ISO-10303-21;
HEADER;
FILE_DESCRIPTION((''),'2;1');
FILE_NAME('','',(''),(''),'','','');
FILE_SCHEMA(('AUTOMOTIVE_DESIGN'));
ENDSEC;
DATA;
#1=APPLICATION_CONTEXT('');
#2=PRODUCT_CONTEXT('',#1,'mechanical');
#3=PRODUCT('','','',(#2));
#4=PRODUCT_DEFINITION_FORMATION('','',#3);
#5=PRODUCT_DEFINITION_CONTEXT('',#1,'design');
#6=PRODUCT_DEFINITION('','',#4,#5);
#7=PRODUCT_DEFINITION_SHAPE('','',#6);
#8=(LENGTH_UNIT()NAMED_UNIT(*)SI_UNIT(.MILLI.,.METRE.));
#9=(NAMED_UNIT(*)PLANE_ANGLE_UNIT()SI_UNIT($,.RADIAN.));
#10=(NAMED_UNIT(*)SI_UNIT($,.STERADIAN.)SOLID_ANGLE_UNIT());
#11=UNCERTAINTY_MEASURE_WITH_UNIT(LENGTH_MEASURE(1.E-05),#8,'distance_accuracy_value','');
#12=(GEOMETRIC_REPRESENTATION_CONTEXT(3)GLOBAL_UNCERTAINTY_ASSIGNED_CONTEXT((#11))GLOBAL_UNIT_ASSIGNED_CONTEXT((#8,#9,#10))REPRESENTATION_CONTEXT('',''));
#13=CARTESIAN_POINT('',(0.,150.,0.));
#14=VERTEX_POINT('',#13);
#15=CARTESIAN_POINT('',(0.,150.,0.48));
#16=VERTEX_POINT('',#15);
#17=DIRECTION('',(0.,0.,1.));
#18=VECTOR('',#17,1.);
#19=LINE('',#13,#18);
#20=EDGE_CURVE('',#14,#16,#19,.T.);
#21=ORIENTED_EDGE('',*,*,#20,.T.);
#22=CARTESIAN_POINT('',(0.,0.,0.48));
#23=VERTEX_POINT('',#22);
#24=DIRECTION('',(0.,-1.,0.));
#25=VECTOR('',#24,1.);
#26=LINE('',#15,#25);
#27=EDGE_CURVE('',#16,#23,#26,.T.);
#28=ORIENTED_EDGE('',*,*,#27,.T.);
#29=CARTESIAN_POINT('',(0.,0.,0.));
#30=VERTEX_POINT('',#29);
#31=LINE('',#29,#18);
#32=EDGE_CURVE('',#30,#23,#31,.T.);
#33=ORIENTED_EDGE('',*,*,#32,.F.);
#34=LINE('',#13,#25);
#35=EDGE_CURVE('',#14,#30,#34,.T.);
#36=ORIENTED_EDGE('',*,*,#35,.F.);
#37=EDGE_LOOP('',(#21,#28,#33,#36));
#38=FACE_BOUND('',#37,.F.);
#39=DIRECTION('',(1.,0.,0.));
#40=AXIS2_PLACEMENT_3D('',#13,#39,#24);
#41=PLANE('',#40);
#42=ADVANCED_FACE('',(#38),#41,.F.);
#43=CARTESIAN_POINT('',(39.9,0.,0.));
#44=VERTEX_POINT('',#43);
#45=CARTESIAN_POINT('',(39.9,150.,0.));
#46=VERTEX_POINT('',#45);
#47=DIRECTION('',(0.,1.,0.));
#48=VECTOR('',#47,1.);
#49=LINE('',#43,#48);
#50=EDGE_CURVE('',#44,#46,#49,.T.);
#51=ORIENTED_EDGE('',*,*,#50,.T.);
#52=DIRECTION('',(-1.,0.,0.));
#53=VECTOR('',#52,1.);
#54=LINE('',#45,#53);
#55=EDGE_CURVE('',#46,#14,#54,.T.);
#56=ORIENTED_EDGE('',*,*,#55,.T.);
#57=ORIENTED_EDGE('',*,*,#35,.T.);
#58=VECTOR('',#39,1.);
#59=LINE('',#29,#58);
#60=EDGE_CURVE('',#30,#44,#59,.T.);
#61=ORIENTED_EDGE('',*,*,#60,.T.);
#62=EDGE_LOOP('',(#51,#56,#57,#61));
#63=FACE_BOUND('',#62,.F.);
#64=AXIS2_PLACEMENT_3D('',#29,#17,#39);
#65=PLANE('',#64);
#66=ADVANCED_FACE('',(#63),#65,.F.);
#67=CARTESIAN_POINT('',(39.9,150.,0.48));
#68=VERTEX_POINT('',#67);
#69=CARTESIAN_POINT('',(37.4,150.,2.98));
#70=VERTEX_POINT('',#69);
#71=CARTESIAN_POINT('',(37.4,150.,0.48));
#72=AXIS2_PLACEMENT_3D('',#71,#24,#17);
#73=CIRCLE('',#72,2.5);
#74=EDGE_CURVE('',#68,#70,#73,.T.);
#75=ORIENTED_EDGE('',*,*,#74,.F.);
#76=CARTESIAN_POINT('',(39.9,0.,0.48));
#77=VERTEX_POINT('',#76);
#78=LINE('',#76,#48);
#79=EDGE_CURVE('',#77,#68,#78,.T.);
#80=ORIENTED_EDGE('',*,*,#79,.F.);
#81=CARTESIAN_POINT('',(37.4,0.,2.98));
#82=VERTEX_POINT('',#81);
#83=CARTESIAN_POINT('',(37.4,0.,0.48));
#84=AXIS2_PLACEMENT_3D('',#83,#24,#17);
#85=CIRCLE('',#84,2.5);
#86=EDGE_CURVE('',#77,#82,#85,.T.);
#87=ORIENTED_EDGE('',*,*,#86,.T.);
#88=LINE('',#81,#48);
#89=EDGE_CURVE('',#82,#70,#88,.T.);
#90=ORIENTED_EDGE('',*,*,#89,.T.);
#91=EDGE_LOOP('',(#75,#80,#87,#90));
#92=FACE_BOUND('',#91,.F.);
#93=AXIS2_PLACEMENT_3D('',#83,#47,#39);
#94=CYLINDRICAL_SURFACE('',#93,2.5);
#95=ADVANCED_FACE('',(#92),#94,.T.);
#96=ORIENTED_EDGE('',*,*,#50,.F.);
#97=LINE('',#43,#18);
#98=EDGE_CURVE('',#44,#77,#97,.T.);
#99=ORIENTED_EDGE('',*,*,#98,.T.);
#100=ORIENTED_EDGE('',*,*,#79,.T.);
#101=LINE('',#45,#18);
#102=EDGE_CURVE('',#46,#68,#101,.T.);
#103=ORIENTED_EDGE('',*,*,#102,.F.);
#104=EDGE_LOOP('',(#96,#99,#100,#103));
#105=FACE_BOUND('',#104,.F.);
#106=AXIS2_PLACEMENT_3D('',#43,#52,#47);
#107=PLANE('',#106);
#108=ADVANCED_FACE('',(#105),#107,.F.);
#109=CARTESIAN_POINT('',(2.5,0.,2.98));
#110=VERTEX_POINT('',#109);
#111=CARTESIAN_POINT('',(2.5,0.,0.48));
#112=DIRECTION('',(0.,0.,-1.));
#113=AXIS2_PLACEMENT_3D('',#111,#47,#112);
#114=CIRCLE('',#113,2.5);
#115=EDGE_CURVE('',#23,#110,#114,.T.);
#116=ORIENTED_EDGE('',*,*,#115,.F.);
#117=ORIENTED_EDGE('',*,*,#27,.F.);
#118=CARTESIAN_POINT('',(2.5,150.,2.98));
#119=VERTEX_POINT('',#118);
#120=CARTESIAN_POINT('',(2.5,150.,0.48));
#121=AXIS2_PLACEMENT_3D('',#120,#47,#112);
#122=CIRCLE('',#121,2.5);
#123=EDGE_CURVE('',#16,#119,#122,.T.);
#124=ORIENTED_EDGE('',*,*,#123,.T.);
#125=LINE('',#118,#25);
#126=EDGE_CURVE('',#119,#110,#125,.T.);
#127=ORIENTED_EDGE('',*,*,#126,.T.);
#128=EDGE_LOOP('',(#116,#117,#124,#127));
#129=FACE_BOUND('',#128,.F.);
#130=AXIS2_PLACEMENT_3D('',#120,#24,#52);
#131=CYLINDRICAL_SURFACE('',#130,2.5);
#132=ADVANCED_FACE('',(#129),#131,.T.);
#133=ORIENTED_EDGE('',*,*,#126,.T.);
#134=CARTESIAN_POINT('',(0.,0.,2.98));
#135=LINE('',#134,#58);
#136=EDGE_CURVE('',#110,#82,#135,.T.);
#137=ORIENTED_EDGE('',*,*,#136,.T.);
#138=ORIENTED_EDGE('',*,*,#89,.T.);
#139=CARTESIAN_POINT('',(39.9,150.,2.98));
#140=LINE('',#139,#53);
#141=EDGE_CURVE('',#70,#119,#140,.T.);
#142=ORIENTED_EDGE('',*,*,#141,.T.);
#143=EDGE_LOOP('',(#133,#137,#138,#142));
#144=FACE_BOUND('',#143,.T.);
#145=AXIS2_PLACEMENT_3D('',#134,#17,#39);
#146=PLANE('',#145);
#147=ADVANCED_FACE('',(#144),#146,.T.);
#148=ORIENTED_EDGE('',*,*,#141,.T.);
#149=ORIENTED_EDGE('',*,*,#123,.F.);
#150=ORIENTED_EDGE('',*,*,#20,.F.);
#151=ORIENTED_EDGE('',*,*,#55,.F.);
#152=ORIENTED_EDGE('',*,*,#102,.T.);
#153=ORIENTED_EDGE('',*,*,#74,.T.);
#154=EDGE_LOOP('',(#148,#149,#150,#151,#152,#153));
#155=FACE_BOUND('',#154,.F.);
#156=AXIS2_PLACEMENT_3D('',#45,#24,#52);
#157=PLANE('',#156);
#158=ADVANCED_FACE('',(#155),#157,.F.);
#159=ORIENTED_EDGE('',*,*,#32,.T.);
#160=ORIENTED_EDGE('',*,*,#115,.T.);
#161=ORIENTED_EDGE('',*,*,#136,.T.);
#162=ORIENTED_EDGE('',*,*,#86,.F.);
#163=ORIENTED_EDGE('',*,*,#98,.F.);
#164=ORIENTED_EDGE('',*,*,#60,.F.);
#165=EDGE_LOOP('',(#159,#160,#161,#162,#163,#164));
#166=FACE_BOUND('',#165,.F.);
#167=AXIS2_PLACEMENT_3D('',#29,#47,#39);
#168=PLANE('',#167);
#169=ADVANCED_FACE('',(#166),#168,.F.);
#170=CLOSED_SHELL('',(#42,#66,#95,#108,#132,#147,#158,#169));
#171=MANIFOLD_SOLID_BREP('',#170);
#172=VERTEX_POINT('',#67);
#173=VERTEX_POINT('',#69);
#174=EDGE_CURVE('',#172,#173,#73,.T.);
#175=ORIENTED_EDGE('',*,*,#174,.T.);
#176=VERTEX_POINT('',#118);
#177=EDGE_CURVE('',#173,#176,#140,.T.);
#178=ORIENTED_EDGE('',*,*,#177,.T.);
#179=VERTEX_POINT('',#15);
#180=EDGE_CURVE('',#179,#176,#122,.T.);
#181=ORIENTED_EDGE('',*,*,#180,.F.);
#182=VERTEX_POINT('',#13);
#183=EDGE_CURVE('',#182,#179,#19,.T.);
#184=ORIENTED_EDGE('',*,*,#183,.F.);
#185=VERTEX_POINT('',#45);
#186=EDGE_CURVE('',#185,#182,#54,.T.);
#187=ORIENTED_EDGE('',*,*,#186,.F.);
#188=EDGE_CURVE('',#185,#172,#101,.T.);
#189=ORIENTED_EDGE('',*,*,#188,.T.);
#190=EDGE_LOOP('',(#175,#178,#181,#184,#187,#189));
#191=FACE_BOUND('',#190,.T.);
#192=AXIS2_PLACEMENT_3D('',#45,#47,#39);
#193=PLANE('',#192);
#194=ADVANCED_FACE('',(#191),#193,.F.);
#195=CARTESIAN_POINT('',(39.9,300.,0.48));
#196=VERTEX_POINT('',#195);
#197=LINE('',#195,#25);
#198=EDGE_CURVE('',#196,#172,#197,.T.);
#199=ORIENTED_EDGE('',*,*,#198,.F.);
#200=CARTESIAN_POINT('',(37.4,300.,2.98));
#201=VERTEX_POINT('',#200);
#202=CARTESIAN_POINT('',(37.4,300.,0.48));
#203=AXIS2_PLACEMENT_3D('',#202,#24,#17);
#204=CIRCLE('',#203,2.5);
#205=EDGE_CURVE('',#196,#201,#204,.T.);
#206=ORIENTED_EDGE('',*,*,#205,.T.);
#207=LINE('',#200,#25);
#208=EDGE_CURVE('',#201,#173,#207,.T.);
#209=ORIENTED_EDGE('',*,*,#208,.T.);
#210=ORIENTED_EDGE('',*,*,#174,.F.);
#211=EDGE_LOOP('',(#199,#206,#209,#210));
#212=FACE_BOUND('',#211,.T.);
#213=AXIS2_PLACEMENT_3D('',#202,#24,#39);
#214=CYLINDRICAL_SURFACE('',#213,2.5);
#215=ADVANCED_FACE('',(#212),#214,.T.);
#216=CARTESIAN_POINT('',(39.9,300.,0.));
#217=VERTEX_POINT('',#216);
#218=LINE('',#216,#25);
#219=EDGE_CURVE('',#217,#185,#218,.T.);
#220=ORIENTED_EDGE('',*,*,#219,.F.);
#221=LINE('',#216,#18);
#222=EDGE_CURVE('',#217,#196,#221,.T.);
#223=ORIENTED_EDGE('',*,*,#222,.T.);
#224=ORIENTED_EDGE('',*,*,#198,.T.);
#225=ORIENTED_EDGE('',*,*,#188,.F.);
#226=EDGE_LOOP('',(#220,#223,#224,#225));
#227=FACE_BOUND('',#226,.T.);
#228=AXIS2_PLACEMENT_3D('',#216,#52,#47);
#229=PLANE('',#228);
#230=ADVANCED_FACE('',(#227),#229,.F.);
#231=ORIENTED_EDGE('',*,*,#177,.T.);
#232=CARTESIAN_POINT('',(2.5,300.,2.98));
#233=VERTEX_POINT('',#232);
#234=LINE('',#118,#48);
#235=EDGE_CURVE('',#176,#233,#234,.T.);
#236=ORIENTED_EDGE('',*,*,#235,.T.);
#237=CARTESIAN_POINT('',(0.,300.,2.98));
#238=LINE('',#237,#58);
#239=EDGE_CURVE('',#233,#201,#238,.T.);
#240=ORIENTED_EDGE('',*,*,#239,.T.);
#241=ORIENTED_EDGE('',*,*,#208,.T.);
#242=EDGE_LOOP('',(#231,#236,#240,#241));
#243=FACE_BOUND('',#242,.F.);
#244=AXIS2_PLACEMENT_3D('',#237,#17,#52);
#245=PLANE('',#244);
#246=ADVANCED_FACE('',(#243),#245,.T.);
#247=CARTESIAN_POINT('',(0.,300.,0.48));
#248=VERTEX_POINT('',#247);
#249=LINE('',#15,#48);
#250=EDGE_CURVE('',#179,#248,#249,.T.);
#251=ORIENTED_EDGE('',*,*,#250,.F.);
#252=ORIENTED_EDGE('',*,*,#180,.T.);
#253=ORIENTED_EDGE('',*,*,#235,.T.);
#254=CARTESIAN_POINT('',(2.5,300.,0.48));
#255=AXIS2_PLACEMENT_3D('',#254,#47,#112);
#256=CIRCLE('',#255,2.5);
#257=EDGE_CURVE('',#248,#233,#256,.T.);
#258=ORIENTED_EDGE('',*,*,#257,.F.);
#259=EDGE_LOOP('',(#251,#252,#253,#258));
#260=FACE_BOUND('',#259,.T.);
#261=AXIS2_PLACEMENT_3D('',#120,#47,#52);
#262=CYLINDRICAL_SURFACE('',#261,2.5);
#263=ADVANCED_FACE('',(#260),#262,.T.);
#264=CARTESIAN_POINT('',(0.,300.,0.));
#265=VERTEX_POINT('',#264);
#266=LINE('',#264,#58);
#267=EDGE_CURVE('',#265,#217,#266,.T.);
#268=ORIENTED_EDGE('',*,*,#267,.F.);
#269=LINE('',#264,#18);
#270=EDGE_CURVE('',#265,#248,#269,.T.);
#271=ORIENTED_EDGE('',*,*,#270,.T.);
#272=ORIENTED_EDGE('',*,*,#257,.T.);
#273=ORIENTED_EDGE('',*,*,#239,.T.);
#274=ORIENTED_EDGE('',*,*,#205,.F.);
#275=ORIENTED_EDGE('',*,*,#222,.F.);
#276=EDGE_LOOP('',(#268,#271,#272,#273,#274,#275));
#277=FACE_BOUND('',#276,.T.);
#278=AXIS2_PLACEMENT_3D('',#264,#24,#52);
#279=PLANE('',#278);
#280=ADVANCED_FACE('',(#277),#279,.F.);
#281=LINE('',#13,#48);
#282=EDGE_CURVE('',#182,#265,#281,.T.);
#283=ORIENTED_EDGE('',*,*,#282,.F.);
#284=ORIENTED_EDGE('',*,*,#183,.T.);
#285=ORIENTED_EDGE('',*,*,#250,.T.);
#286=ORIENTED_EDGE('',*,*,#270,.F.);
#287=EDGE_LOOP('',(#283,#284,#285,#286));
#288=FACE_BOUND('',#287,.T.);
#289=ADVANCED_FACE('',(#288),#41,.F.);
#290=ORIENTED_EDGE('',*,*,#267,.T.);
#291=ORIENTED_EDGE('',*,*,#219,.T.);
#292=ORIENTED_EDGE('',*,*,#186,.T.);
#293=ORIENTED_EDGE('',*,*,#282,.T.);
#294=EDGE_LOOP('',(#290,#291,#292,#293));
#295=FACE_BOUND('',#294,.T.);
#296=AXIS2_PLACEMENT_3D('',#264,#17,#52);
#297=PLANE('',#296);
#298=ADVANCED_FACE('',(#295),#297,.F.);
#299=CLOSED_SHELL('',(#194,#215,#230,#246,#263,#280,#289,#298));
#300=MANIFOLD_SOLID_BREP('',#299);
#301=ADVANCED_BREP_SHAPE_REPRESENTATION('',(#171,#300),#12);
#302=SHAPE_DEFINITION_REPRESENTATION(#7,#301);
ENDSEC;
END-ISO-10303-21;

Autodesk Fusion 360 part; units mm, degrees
sketch "Sketch1" plane through (0, 0, 0) normal (0, 0, 1) x (1, 0, 0)
  line L0 (0, 0) -> (39.9, 0)
  line L1 (39.9, 0) -> (39.9, 150)
  line L2 (39.9, 150) -> (0, 150)
  line L3 (0, 150) -> (0, 0)
  dimension "d1" = 39.9
  dimension "d2" = 150
extrude "Extrude1" add sketch "Sketch1" along normal blind 2.98 makes body 1
fillet "Fillet1" radius 2.5 2 edges at (39.9, 75, 2.98) (0, 75, 2.98) on bodies 1
mirror "Mirror1" about plane through (39.9, 150, 0) normal (0, 1, 0) of bodies 1 makes body 2
